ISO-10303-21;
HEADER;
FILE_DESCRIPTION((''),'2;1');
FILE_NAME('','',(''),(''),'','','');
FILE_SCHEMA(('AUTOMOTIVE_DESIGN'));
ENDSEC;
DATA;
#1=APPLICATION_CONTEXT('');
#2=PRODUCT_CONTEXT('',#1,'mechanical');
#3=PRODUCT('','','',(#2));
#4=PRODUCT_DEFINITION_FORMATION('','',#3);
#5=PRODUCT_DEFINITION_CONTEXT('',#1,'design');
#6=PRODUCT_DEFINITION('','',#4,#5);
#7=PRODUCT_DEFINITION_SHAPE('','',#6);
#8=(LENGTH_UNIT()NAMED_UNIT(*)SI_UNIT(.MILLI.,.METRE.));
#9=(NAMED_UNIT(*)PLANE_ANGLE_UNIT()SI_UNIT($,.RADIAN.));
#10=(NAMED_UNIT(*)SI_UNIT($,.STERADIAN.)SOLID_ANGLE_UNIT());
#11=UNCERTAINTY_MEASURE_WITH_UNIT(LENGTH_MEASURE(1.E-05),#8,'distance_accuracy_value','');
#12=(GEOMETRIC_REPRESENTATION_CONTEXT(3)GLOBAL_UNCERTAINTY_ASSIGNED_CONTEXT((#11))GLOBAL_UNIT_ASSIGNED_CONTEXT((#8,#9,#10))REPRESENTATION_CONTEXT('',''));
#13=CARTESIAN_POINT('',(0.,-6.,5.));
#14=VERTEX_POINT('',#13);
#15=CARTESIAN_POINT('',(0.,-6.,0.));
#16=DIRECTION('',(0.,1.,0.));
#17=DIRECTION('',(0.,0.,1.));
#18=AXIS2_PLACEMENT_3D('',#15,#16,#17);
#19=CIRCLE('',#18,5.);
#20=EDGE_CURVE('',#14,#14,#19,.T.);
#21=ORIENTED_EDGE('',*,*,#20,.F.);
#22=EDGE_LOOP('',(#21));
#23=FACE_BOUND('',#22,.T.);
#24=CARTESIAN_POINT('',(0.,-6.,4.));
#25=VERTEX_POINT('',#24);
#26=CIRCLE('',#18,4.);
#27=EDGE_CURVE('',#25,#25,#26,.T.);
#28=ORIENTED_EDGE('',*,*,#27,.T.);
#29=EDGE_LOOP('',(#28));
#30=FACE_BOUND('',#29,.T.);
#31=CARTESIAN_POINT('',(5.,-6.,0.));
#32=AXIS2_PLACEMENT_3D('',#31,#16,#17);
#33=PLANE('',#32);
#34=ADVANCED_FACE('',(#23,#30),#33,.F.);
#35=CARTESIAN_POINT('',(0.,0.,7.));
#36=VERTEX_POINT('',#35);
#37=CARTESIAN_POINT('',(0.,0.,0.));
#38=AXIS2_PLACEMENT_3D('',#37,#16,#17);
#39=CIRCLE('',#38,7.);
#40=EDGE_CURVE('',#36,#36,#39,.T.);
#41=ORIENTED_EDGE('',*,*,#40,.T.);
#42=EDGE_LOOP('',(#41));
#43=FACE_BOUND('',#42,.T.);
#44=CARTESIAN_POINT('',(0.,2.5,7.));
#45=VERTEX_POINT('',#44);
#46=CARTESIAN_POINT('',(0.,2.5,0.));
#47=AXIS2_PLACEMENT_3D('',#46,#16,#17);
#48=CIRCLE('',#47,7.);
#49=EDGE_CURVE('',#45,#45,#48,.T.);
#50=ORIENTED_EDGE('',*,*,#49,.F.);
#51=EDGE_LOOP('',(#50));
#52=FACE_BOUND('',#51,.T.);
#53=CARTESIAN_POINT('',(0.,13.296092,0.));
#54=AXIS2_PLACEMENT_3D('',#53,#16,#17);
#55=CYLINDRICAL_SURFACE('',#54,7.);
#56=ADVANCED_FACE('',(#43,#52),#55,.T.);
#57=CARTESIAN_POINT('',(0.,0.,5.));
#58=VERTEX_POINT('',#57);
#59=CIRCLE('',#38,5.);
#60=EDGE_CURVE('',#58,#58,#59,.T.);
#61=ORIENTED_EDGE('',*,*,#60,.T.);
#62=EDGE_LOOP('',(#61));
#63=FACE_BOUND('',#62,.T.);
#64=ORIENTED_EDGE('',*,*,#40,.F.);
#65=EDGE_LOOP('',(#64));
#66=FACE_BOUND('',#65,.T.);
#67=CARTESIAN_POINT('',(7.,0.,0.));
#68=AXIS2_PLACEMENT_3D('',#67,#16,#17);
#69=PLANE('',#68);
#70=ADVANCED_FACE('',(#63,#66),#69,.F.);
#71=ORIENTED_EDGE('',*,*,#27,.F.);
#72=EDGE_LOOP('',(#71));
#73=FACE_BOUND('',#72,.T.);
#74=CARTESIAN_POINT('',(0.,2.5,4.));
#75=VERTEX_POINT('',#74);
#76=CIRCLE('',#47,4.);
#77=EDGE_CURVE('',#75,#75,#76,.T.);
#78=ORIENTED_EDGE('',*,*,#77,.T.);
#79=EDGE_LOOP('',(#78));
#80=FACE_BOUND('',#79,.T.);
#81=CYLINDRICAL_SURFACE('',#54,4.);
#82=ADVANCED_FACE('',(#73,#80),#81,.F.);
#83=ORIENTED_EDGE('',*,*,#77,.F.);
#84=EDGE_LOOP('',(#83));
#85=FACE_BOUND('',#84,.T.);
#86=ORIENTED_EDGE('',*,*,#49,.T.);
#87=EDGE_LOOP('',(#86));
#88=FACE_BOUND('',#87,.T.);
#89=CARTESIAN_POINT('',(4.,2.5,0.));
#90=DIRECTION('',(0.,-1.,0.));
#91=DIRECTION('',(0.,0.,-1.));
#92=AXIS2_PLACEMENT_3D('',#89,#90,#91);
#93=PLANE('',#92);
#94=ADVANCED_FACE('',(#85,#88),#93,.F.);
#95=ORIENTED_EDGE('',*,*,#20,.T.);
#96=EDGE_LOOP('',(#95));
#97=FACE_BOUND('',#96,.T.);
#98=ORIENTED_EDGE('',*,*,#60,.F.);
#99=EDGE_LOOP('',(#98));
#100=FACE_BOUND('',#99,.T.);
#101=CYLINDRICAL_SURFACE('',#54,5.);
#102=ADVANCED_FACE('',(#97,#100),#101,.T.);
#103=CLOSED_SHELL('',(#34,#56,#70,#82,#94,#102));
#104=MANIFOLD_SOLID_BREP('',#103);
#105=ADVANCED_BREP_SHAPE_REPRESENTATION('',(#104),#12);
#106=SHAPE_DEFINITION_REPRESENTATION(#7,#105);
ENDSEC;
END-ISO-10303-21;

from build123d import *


with BuildPart() as part:
    # Sketch1 → Revolve1 (revolve)
    with BuildSketch(Plane.XY, mode=Mode.PRIVATE) as revolve1_sk:
        Polygon((4, 2.5), (7, 2.5), (7, 0), (5, 0), (5, -6), (4, -6), align=None)
    revolve(revolve1_sk.sketch.rotate(Axis((0, 13.296091569, 0), (0, -1, 0)), 90), axis=Axis((0, 13.296091569, 0), (0, -1, 0)))


solid = part.part
